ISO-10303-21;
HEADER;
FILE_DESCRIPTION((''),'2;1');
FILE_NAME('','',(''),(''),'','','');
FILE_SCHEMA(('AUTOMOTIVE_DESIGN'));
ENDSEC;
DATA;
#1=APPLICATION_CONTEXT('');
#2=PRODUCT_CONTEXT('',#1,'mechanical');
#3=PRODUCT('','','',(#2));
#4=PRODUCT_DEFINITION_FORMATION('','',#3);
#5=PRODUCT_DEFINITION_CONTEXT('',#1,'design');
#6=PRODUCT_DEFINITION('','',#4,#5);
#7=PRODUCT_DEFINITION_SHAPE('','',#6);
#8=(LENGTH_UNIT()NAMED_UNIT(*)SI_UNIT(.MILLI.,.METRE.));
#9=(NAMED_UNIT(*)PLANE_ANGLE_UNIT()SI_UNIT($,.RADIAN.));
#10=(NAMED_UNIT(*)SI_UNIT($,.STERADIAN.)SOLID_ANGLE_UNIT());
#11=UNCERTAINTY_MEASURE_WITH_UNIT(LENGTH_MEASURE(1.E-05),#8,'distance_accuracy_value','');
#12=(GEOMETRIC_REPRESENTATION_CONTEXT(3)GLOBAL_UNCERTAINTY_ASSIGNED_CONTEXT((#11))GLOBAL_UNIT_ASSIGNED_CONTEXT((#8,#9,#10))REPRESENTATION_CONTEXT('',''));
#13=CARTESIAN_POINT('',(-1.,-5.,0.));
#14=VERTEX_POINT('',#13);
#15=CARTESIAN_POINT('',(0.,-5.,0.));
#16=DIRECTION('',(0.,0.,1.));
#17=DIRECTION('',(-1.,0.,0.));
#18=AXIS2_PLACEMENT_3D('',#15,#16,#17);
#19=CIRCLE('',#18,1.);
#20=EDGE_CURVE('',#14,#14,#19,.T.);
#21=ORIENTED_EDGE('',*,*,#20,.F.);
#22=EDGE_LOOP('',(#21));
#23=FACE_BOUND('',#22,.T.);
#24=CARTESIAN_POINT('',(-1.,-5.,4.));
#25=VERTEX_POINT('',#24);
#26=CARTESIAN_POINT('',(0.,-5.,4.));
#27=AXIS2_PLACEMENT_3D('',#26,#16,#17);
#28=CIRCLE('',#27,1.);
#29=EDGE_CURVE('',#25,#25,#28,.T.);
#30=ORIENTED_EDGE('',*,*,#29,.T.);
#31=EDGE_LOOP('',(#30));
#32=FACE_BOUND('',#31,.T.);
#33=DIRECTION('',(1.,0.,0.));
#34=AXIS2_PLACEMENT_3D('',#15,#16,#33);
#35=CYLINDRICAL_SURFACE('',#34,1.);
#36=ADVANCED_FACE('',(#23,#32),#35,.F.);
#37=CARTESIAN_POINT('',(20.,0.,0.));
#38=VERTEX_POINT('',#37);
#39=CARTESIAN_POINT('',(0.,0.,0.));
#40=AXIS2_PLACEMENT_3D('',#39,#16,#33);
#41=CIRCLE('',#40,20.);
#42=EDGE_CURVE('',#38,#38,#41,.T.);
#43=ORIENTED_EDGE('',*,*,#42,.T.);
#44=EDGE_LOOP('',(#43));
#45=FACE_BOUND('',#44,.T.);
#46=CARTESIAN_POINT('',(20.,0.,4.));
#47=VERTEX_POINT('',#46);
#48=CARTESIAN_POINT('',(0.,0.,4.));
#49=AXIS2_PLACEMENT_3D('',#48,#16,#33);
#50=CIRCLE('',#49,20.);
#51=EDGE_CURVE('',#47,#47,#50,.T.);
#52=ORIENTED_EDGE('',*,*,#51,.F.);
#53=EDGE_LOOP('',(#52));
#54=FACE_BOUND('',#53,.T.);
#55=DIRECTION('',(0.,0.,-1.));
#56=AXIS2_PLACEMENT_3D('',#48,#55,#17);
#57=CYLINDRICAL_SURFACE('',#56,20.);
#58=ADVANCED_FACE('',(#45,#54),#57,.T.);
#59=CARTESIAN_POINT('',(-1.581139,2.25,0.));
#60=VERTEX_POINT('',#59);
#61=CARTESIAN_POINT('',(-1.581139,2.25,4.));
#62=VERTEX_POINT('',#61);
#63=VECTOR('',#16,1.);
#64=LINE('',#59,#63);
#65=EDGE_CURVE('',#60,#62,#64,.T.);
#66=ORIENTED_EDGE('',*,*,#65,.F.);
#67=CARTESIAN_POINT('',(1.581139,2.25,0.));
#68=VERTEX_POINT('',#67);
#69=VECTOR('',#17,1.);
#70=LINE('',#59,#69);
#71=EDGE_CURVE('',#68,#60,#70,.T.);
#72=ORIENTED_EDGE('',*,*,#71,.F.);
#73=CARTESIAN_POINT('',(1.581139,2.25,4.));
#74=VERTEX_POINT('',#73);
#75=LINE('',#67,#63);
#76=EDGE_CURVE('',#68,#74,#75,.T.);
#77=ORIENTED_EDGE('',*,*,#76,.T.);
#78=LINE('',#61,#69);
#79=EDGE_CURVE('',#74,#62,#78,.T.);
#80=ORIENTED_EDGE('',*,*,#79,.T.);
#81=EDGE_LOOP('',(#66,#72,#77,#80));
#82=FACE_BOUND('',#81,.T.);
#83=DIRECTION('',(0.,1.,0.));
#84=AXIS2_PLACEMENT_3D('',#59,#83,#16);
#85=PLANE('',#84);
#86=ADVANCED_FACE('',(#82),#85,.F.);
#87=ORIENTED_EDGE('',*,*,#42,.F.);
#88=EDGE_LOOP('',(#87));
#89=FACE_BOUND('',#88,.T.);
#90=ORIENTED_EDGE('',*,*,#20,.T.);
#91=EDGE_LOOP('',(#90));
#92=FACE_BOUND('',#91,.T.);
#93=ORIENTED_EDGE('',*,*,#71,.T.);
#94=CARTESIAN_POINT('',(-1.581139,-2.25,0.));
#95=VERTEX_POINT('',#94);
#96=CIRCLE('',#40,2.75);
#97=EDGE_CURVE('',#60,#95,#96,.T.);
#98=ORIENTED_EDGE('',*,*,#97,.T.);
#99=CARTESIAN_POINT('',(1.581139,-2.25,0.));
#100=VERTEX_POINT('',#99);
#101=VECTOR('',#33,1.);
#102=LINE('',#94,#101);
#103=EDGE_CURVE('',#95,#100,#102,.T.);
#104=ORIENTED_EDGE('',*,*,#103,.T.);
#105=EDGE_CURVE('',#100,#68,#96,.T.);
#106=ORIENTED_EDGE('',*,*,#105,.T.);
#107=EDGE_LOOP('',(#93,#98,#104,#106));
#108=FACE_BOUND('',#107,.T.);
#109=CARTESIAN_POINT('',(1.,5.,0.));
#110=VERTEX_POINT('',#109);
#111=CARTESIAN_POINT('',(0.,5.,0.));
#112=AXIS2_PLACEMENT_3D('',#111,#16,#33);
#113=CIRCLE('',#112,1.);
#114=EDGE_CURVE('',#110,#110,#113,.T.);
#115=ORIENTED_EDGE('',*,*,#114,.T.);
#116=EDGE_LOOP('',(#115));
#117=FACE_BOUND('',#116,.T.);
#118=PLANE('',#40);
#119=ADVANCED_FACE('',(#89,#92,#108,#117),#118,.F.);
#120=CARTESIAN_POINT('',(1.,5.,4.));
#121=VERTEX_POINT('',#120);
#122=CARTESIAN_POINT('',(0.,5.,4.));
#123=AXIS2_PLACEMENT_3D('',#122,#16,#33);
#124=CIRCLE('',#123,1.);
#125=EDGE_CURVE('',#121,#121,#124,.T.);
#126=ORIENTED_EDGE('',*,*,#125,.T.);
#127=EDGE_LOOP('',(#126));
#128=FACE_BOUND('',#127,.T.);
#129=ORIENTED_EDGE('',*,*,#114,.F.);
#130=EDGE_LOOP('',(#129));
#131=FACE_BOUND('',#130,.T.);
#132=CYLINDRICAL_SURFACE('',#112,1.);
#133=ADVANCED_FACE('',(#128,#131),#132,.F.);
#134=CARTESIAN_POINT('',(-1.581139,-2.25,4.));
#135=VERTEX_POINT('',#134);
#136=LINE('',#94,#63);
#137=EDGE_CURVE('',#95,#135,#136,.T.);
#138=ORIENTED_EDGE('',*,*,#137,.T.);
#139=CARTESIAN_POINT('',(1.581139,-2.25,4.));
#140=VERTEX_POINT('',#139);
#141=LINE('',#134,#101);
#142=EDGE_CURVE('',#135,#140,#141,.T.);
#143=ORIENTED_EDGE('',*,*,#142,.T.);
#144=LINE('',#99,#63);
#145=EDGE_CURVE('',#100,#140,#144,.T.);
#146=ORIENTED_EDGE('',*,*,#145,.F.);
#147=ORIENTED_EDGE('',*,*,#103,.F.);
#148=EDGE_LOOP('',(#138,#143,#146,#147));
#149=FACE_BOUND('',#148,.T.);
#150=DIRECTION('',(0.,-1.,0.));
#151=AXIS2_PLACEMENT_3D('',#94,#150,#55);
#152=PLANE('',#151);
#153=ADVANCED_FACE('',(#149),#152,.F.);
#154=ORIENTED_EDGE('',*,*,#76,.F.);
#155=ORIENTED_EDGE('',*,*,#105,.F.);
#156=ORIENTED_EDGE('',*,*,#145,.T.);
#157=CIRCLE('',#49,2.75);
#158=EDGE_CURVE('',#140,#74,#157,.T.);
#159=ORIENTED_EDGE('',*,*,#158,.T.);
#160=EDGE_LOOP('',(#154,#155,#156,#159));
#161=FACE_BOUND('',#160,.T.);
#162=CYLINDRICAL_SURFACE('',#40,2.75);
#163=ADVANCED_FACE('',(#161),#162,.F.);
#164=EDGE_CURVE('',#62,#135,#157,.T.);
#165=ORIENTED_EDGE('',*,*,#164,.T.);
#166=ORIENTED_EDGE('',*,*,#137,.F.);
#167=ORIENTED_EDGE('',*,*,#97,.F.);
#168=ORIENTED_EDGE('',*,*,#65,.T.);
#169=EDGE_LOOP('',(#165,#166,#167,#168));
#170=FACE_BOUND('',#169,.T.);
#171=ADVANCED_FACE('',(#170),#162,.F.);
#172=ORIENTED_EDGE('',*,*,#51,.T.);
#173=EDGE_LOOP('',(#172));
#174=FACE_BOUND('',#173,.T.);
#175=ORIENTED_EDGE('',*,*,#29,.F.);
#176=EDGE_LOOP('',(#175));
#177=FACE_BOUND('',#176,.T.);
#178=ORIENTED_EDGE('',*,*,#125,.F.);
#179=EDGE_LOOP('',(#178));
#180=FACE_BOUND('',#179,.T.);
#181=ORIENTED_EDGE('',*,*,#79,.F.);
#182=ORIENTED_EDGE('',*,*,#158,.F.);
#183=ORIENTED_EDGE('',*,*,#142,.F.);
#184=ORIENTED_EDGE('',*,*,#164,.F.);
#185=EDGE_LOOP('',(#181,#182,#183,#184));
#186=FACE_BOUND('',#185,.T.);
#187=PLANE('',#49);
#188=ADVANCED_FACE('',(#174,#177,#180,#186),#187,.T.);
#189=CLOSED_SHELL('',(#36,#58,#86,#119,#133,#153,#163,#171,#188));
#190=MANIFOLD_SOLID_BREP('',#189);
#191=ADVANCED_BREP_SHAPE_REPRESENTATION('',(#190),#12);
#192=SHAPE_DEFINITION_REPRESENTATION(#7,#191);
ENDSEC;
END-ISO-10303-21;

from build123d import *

# Parameters (mm, degrees)
SKETCH_1_R          = 20
EXTRUDE_1_DEPTH     = 4
SKETCH_2_R          = 1
CUT_EXTRUDE_1_DEPTH = 4


with BuildPart() as part:
    # Эскиз1 → Бобышка-Вытянуть1 (new body)
    with BuildSketch(Plane.XY):
        Circle(SKETCH_1_R)
    extrude(amount=EXTRUDE_1_DEPTH)

    # Эскиз2 → Вырез-Вытянуть1 (cut)
    with BuildSketch(Plane.XY.offset(4)):
        with Locations((0, 5)):
            Circle(SKETCH_2_R)
        with Locations((0, -5)):
            Circle(SKETCH_2_R)
        with BuildLine():
            Line((-1.58113883, 2.25), (1.58113883, 2.25))
            ThreePointArc((1.58113883, 2.25), (2.75, 0), (1.58113883, -2.25))
            Line((1.58113883, -2.25), (-1.58113883, -2.25))
            ThreePointArc((-1.58113883, -2.25), (-2.75, 0), (-1.58113883, 2.25))
        make_face()
    extrude(amount=-CUT_EXTRUDE_1_DEPTH, mode=Mode.SUBTRACT)


solid = part.part
